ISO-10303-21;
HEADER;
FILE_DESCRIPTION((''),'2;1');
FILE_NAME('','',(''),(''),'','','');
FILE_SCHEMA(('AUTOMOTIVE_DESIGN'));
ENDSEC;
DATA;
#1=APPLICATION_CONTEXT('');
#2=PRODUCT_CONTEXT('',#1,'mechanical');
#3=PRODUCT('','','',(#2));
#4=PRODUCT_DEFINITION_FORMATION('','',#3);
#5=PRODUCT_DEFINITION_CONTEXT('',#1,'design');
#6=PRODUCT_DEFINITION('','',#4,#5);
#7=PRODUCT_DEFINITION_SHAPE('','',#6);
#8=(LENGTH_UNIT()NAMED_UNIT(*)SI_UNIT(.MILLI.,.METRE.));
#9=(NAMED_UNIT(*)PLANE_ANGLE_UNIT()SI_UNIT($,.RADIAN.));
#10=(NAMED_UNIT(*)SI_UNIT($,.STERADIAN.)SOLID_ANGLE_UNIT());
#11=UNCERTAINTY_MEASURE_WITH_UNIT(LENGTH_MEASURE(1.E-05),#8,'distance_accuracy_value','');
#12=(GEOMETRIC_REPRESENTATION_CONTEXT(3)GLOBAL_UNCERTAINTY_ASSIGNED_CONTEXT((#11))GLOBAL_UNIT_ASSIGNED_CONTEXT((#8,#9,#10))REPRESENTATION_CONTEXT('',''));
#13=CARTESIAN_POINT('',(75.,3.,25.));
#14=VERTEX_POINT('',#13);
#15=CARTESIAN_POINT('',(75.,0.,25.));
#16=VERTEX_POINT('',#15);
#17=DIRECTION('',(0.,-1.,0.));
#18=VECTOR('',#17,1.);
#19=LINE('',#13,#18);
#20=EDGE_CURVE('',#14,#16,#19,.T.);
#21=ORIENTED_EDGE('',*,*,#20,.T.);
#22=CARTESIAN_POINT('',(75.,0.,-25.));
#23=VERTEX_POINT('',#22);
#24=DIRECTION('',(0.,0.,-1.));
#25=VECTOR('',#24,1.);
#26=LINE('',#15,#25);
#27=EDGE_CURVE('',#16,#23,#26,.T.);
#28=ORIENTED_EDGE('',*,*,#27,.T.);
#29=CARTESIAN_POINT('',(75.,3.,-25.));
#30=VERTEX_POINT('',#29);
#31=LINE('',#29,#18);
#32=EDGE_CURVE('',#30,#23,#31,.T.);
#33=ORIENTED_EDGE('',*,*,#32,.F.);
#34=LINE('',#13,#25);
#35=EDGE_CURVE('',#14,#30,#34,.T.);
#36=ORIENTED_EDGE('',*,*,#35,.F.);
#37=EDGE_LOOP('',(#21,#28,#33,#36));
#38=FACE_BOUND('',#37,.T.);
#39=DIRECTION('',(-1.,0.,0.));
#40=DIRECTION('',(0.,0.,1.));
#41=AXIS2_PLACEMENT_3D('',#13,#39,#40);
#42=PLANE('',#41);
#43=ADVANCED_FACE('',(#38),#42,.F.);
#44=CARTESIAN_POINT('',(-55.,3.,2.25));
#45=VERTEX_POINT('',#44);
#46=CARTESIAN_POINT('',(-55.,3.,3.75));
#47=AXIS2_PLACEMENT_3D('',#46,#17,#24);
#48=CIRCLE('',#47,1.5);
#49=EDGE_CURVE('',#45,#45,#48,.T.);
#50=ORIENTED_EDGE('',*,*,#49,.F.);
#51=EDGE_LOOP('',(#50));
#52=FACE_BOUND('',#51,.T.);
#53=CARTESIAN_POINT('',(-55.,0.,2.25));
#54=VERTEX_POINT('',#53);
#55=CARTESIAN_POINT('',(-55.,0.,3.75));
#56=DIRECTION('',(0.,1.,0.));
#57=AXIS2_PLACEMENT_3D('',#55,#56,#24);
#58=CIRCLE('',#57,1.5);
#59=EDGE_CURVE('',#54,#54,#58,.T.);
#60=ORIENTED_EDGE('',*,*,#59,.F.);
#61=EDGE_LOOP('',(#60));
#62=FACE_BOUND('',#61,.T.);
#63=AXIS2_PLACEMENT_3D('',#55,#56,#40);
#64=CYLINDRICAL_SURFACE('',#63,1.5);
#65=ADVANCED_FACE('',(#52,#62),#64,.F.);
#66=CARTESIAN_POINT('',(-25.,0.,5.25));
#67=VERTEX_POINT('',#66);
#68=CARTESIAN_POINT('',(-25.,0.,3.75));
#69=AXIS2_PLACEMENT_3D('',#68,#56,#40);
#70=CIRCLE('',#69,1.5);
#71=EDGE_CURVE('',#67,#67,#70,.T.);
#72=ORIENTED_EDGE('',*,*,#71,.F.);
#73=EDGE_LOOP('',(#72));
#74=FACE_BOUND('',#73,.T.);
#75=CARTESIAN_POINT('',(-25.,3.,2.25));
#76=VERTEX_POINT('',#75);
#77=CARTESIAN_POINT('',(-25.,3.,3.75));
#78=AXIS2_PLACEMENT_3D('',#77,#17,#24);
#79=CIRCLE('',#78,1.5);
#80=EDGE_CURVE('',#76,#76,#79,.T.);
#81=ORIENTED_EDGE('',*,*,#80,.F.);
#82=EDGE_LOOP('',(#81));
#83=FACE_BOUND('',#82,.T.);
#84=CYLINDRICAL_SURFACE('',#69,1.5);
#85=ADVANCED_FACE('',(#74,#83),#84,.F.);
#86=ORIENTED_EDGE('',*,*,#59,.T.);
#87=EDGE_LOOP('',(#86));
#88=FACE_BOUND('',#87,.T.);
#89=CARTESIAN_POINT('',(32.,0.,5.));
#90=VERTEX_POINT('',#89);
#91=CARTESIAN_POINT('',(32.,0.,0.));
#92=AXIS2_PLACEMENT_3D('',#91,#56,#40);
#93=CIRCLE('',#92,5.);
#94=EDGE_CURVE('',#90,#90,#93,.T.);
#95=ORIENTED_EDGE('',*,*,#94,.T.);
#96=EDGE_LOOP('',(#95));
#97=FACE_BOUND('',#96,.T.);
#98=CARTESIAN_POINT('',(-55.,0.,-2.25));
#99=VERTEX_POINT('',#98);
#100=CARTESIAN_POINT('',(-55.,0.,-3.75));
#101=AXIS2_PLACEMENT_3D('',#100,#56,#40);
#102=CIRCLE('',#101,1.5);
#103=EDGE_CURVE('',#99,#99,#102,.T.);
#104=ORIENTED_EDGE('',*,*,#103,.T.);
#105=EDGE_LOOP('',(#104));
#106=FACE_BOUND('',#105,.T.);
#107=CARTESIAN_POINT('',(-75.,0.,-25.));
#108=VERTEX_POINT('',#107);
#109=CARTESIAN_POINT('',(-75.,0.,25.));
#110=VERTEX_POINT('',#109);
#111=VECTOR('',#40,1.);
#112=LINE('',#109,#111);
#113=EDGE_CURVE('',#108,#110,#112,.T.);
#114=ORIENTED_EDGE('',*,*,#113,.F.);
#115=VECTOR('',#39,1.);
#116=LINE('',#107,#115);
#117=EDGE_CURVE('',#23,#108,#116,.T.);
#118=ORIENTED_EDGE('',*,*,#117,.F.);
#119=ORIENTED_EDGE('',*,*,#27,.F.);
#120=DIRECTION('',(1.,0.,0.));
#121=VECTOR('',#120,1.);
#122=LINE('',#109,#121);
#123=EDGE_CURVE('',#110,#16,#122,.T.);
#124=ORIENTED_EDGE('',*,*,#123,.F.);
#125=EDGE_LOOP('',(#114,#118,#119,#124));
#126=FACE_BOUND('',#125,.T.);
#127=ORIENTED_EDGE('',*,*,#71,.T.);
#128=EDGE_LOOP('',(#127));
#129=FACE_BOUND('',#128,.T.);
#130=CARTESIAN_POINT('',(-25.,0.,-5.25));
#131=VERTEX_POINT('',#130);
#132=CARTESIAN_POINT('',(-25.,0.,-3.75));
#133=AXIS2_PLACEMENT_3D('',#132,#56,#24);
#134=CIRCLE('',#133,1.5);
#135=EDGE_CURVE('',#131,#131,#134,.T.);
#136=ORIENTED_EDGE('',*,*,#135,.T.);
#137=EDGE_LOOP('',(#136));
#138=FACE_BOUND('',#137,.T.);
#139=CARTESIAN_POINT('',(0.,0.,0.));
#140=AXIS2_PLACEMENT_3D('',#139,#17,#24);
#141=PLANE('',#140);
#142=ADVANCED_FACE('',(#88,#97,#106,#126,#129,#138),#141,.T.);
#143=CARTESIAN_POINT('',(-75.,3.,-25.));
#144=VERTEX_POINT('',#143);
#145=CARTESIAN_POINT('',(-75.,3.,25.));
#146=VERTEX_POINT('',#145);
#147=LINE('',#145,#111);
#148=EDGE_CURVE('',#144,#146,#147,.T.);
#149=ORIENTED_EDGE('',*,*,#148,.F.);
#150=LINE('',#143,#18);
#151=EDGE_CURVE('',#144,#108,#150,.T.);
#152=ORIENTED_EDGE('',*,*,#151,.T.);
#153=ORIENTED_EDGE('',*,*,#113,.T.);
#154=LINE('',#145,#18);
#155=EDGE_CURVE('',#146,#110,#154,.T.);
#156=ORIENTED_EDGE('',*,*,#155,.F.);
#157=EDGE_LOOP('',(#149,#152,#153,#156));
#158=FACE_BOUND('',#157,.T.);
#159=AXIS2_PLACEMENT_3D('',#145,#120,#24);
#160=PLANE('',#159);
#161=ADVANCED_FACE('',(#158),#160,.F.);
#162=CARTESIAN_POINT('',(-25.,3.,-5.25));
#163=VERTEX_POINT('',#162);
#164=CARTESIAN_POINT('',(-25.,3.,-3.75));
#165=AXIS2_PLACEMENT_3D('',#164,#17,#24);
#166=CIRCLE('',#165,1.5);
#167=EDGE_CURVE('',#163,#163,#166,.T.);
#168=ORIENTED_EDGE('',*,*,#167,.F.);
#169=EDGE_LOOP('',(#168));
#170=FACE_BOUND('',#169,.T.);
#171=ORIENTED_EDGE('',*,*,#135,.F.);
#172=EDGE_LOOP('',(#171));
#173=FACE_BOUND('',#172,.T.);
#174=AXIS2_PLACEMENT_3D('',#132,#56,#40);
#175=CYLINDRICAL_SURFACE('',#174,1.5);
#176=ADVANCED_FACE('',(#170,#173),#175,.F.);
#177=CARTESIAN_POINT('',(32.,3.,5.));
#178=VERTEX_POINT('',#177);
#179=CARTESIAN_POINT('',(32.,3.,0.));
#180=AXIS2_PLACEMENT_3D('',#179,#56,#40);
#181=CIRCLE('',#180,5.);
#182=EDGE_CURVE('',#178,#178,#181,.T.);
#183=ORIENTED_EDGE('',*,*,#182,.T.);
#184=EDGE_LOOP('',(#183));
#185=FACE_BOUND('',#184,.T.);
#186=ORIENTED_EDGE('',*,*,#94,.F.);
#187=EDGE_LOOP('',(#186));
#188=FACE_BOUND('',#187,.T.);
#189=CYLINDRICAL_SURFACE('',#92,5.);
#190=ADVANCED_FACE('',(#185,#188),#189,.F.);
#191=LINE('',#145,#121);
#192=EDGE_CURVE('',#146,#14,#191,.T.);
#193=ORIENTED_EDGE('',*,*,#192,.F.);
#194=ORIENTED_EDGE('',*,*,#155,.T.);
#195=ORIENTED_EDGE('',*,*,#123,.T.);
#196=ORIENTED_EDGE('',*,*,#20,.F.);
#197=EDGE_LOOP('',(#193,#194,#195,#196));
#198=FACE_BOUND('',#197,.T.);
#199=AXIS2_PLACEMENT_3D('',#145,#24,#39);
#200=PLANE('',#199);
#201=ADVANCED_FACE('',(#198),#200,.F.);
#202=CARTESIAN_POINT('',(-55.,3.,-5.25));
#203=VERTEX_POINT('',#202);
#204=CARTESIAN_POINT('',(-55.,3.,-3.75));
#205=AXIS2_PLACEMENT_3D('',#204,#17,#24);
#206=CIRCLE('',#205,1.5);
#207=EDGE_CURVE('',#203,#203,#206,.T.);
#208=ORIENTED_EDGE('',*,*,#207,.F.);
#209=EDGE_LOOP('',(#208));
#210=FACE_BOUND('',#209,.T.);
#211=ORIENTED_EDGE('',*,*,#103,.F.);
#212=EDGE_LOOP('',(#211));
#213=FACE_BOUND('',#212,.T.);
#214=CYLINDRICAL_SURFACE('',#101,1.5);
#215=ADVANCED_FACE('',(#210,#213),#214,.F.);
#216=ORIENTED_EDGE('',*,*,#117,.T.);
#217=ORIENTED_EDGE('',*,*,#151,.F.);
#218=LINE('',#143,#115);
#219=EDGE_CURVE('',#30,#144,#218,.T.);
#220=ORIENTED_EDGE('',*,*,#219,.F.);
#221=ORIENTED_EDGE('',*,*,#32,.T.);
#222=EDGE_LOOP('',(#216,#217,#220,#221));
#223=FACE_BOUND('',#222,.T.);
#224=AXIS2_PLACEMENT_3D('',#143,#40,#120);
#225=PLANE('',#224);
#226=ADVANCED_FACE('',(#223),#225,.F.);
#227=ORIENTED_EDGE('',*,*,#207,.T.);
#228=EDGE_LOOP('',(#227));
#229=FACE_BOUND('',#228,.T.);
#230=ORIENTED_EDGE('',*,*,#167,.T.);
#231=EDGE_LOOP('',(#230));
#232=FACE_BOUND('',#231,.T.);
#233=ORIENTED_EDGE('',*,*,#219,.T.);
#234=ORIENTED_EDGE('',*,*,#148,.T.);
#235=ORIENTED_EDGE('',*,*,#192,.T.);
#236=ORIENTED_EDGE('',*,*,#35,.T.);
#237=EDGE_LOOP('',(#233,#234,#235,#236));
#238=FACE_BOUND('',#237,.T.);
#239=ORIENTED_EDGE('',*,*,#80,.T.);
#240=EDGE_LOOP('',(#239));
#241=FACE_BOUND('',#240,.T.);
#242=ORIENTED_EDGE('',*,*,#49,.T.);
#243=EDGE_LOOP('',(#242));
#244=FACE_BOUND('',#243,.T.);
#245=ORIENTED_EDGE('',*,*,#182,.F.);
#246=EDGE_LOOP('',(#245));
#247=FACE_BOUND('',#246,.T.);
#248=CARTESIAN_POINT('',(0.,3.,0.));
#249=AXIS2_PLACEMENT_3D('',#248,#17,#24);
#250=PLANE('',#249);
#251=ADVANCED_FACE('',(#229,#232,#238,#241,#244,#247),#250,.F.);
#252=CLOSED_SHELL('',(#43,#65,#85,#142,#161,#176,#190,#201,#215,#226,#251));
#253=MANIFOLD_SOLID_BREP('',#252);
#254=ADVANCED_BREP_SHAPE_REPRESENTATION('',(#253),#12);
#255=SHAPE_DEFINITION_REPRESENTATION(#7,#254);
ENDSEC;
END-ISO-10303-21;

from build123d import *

# Parameters (mm, degrees)
SKETCH1_W               = 150
SKETCH1_H               = 50
BOSS_EXTRUDE1_DEPTH     = 3
CUT_EXTRUDE1_DEPTH      = 80.113842025
CUT_EXTRUDE1_DEPTH_BACK = 80.113842025
SKETCH2_R               = 1.5
SKETCH3_R               = 5
CUT_EXTRUDE2_DEPTH      = 80.113842025


with BuildPart() as part:
    # Sketch1 → Boss-Extrude1 (new body)
    with BuildSketch(Plane(origin=(0, 0, 0), x_dir=(1, 0, 0), z_dir=(0, 1, 0))):
        Rectangle(SKETCH1_W, SKETCH1_H)
    extrude(amount=BOSS_EXTRUDE1_DEPTH)

    # Sketch2 → Cut-Extrude1 (cut, two sides: drawn at the far end of the back side and taken through both)
    with BuildSketch(Plane(origin=(0, 3, 0), x_dir=(1, 0, 0), z_dir=(0, 1, 0)).offset(-CUT_EXTRUDE1_DEPTH_BACK)):
        with Locations(Location((-55, 3.75, 0), (0, 0, 270))):
            Circle(SKETCH2_R)
        with Locations(Location((-55, -3.75, 0), (0, 0, 90))):
            Circle(SKETCH2_R)
        with Locations(Location((-25, -3.75, 0), (0, 0, 270))):
            Circle(SKETCH2_R)
        with Locations(Location((-25, 3.75, 0), (0, 0, 90))):
            Circle(SKETCH2_R)
    extrude(amount=CUT_EXTRUDE1_DEPTH + CUT_EXTRUDE1_DEPTH_BACK, mode=Mode.SUBTRACT)

    # Sketch3 → Cut-Extrude2 (cut, through all)
    with BuildSketch(Plane(origin=(0, 3, 0), x_dir=(1, 0, 0), z_dir=(0, 1, 0))):
        with Locations(Location((32, 0, 0), (0, 0, 270))):
            Circle(SKETCH3_R)
    extrude(amount=-CUT_EXTRUDE2_DEPTH, mode=Mode.SUBTRACT)


solid = part.part
